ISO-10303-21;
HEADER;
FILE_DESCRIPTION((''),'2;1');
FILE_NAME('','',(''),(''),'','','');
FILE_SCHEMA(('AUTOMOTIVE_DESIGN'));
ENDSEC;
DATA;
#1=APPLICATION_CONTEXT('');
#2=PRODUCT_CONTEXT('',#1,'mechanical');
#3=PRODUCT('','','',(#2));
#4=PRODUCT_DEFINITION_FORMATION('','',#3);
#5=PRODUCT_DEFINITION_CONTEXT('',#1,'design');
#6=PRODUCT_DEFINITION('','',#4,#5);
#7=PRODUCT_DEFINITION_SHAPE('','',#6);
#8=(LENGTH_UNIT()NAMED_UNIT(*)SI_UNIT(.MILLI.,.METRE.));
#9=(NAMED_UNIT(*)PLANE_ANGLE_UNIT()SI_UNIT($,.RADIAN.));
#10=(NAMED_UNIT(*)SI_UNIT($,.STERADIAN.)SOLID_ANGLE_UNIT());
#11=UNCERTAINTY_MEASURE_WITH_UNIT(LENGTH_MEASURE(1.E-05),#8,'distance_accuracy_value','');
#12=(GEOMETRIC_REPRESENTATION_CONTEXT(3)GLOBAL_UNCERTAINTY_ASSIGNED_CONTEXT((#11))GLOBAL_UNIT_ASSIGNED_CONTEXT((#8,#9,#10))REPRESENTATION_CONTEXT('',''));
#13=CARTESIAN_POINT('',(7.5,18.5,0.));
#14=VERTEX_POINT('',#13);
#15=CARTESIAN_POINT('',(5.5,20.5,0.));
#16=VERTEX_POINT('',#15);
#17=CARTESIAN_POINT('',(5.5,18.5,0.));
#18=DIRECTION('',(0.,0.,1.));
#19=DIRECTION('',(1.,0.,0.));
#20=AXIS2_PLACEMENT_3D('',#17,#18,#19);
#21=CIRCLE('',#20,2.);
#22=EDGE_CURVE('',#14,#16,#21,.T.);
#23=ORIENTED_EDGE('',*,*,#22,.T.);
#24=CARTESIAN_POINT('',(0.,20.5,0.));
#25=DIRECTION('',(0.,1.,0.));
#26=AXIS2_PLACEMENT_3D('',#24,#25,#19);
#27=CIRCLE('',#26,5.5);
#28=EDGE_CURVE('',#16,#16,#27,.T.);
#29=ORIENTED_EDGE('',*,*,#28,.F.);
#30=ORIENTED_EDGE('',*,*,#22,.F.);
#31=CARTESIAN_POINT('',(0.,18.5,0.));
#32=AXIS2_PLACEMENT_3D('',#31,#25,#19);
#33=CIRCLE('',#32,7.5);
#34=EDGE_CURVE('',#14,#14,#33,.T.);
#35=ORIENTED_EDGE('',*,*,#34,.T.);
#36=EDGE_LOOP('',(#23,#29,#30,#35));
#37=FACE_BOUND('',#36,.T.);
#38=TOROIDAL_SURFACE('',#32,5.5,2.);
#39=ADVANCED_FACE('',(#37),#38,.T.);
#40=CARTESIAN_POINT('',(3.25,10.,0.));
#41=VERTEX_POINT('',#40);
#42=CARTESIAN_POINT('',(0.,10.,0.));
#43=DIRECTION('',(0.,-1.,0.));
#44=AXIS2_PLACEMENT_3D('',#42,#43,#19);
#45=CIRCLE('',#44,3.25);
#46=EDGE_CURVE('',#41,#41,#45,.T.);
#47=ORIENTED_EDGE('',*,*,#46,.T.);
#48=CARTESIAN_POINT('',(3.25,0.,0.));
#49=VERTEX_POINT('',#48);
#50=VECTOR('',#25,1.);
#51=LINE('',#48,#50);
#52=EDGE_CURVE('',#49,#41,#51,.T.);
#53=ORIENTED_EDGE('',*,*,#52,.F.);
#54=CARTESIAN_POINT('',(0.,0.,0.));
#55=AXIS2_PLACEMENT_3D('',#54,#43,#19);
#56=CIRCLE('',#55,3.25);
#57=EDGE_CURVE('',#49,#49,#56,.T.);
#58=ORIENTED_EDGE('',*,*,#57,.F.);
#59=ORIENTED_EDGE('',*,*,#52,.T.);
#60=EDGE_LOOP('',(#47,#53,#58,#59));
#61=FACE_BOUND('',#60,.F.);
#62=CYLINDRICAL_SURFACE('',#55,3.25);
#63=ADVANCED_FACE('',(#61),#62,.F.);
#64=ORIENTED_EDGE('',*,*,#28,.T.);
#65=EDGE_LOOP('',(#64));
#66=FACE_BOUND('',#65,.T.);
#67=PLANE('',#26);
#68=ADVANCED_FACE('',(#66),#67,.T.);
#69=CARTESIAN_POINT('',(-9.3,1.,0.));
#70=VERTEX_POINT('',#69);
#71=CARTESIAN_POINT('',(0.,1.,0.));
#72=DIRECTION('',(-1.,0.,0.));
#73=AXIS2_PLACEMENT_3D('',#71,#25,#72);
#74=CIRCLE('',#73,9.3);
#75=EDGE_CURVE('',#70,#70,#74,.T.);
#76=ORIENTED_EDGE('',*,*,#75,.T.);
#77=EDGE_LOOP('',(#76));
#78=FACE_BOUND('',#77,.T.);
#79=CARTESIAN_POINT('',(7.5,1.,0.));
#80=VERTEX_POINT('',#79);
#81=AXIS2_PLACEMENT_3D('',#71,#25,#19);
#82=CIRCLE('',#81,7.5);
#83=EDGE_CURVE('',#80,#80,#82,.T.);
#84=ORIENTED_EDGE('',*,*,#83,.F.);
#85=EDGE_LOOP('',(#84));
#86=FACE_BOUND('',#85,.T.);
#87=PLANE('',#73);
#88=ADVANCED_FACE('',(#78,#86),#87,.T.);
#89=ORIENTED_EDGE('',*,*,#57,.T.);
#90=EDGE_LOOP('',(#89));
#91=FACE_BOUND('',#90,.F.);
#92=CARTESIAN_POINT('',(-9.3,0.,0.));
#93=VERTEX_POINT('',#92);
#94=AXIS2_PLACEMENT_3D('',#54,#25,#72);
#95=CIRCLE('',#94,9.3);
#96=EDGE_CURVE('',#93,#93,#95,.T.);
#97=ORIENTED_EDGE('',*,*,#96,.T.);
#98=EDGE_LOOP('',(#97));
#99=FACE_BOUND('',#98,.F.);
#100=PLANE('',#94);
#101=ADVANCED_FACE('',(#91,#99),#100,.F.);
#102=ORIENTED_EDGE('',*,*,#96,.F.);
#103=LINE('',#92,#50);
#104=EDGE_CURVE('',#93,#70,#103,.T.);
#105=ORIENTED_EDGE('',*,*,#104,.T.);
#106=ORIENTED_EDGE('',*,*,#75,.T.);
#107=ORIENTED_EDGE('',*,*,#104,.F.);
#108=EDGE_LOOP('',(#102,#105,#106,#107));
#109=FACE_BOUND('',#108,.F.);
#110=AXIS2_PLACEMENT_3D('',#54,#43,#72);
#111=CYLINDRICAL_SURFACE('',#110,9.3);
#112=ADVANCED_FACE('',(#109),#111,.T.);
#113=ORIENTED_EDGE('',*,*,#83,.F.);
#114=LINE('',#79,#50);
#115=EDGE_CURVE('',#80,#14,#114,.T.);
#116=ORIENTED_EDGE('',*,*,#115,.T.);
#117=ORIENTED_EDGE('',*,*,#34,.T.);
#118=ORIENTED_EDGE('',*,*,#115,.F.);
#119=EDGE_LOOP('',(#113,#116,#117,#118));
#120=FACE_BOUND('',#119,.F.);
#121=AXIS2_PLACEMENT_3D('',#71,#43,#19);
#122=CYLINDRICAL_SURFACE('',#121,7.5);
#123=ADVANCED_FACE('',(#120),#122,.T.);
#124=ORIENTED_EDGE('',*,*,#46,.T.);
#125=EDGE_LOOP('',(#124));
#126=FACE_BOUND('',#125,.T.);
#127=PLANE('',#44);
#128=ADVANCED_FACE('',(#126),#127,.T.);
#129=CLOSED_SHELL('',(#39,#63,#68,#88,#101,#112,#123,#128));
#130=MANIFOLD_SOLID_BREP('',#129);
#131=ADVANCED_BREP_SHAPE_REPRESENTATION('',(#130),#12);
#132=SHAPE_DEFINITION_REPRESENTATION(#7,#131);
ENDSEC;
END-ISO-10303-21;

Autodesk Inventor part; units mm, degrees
ref_plane "YZ Plane" through (0, 0, 0) normal (1, 0, 0) x (0, 1, 0)
ref_plane "XZ Plane" through (0, 0, 0) normal (0, 1, 0) x (-1, 0, 0)
ref_plane "XY Plane" through (0, 0, 0) normal (0, 0, 1) x (1, 0, 0)
sketch "Esboço1" plane through (0, 0, 0) normal (0, 1, 0) x (-1, 0, 0)
  circle A0 centre (0, 0) radius 9.3
  dimension "d0" = 18.6
extrude "Extrusão1" add sketch "Esboço1" along normal blind 1
sketch "Esboço2" plane through (0, 1, 0) normal (0, 1, 0) x (1, 0, 0)
  circle A0 centre (0, 0) radius 8.3
  circle A1 centre (0, 0) radius 9.3 projected
  circle A2 centre (0, 0) radius 7.5
  dimension "d3" = 1
  dimension "d4" = 15
extrude "Extrusão2" add sketch "Esboço2" along normal blind 19.5 contours A2
fillet "Arredondamento1" radius 2 1 edges at (-7.5, 20.5, 0)
sketch "Esboço6" plane through (0, 0, 0) normal (0, -1, 0) x (1, 0, 0)
  circle A0 centre (0, 0) radius 3.25
  dimension "d13" = 6.5
extrude "Extrusão5" cut sketch "Esboço6" against normal blind 10
properties part number "Knob"
